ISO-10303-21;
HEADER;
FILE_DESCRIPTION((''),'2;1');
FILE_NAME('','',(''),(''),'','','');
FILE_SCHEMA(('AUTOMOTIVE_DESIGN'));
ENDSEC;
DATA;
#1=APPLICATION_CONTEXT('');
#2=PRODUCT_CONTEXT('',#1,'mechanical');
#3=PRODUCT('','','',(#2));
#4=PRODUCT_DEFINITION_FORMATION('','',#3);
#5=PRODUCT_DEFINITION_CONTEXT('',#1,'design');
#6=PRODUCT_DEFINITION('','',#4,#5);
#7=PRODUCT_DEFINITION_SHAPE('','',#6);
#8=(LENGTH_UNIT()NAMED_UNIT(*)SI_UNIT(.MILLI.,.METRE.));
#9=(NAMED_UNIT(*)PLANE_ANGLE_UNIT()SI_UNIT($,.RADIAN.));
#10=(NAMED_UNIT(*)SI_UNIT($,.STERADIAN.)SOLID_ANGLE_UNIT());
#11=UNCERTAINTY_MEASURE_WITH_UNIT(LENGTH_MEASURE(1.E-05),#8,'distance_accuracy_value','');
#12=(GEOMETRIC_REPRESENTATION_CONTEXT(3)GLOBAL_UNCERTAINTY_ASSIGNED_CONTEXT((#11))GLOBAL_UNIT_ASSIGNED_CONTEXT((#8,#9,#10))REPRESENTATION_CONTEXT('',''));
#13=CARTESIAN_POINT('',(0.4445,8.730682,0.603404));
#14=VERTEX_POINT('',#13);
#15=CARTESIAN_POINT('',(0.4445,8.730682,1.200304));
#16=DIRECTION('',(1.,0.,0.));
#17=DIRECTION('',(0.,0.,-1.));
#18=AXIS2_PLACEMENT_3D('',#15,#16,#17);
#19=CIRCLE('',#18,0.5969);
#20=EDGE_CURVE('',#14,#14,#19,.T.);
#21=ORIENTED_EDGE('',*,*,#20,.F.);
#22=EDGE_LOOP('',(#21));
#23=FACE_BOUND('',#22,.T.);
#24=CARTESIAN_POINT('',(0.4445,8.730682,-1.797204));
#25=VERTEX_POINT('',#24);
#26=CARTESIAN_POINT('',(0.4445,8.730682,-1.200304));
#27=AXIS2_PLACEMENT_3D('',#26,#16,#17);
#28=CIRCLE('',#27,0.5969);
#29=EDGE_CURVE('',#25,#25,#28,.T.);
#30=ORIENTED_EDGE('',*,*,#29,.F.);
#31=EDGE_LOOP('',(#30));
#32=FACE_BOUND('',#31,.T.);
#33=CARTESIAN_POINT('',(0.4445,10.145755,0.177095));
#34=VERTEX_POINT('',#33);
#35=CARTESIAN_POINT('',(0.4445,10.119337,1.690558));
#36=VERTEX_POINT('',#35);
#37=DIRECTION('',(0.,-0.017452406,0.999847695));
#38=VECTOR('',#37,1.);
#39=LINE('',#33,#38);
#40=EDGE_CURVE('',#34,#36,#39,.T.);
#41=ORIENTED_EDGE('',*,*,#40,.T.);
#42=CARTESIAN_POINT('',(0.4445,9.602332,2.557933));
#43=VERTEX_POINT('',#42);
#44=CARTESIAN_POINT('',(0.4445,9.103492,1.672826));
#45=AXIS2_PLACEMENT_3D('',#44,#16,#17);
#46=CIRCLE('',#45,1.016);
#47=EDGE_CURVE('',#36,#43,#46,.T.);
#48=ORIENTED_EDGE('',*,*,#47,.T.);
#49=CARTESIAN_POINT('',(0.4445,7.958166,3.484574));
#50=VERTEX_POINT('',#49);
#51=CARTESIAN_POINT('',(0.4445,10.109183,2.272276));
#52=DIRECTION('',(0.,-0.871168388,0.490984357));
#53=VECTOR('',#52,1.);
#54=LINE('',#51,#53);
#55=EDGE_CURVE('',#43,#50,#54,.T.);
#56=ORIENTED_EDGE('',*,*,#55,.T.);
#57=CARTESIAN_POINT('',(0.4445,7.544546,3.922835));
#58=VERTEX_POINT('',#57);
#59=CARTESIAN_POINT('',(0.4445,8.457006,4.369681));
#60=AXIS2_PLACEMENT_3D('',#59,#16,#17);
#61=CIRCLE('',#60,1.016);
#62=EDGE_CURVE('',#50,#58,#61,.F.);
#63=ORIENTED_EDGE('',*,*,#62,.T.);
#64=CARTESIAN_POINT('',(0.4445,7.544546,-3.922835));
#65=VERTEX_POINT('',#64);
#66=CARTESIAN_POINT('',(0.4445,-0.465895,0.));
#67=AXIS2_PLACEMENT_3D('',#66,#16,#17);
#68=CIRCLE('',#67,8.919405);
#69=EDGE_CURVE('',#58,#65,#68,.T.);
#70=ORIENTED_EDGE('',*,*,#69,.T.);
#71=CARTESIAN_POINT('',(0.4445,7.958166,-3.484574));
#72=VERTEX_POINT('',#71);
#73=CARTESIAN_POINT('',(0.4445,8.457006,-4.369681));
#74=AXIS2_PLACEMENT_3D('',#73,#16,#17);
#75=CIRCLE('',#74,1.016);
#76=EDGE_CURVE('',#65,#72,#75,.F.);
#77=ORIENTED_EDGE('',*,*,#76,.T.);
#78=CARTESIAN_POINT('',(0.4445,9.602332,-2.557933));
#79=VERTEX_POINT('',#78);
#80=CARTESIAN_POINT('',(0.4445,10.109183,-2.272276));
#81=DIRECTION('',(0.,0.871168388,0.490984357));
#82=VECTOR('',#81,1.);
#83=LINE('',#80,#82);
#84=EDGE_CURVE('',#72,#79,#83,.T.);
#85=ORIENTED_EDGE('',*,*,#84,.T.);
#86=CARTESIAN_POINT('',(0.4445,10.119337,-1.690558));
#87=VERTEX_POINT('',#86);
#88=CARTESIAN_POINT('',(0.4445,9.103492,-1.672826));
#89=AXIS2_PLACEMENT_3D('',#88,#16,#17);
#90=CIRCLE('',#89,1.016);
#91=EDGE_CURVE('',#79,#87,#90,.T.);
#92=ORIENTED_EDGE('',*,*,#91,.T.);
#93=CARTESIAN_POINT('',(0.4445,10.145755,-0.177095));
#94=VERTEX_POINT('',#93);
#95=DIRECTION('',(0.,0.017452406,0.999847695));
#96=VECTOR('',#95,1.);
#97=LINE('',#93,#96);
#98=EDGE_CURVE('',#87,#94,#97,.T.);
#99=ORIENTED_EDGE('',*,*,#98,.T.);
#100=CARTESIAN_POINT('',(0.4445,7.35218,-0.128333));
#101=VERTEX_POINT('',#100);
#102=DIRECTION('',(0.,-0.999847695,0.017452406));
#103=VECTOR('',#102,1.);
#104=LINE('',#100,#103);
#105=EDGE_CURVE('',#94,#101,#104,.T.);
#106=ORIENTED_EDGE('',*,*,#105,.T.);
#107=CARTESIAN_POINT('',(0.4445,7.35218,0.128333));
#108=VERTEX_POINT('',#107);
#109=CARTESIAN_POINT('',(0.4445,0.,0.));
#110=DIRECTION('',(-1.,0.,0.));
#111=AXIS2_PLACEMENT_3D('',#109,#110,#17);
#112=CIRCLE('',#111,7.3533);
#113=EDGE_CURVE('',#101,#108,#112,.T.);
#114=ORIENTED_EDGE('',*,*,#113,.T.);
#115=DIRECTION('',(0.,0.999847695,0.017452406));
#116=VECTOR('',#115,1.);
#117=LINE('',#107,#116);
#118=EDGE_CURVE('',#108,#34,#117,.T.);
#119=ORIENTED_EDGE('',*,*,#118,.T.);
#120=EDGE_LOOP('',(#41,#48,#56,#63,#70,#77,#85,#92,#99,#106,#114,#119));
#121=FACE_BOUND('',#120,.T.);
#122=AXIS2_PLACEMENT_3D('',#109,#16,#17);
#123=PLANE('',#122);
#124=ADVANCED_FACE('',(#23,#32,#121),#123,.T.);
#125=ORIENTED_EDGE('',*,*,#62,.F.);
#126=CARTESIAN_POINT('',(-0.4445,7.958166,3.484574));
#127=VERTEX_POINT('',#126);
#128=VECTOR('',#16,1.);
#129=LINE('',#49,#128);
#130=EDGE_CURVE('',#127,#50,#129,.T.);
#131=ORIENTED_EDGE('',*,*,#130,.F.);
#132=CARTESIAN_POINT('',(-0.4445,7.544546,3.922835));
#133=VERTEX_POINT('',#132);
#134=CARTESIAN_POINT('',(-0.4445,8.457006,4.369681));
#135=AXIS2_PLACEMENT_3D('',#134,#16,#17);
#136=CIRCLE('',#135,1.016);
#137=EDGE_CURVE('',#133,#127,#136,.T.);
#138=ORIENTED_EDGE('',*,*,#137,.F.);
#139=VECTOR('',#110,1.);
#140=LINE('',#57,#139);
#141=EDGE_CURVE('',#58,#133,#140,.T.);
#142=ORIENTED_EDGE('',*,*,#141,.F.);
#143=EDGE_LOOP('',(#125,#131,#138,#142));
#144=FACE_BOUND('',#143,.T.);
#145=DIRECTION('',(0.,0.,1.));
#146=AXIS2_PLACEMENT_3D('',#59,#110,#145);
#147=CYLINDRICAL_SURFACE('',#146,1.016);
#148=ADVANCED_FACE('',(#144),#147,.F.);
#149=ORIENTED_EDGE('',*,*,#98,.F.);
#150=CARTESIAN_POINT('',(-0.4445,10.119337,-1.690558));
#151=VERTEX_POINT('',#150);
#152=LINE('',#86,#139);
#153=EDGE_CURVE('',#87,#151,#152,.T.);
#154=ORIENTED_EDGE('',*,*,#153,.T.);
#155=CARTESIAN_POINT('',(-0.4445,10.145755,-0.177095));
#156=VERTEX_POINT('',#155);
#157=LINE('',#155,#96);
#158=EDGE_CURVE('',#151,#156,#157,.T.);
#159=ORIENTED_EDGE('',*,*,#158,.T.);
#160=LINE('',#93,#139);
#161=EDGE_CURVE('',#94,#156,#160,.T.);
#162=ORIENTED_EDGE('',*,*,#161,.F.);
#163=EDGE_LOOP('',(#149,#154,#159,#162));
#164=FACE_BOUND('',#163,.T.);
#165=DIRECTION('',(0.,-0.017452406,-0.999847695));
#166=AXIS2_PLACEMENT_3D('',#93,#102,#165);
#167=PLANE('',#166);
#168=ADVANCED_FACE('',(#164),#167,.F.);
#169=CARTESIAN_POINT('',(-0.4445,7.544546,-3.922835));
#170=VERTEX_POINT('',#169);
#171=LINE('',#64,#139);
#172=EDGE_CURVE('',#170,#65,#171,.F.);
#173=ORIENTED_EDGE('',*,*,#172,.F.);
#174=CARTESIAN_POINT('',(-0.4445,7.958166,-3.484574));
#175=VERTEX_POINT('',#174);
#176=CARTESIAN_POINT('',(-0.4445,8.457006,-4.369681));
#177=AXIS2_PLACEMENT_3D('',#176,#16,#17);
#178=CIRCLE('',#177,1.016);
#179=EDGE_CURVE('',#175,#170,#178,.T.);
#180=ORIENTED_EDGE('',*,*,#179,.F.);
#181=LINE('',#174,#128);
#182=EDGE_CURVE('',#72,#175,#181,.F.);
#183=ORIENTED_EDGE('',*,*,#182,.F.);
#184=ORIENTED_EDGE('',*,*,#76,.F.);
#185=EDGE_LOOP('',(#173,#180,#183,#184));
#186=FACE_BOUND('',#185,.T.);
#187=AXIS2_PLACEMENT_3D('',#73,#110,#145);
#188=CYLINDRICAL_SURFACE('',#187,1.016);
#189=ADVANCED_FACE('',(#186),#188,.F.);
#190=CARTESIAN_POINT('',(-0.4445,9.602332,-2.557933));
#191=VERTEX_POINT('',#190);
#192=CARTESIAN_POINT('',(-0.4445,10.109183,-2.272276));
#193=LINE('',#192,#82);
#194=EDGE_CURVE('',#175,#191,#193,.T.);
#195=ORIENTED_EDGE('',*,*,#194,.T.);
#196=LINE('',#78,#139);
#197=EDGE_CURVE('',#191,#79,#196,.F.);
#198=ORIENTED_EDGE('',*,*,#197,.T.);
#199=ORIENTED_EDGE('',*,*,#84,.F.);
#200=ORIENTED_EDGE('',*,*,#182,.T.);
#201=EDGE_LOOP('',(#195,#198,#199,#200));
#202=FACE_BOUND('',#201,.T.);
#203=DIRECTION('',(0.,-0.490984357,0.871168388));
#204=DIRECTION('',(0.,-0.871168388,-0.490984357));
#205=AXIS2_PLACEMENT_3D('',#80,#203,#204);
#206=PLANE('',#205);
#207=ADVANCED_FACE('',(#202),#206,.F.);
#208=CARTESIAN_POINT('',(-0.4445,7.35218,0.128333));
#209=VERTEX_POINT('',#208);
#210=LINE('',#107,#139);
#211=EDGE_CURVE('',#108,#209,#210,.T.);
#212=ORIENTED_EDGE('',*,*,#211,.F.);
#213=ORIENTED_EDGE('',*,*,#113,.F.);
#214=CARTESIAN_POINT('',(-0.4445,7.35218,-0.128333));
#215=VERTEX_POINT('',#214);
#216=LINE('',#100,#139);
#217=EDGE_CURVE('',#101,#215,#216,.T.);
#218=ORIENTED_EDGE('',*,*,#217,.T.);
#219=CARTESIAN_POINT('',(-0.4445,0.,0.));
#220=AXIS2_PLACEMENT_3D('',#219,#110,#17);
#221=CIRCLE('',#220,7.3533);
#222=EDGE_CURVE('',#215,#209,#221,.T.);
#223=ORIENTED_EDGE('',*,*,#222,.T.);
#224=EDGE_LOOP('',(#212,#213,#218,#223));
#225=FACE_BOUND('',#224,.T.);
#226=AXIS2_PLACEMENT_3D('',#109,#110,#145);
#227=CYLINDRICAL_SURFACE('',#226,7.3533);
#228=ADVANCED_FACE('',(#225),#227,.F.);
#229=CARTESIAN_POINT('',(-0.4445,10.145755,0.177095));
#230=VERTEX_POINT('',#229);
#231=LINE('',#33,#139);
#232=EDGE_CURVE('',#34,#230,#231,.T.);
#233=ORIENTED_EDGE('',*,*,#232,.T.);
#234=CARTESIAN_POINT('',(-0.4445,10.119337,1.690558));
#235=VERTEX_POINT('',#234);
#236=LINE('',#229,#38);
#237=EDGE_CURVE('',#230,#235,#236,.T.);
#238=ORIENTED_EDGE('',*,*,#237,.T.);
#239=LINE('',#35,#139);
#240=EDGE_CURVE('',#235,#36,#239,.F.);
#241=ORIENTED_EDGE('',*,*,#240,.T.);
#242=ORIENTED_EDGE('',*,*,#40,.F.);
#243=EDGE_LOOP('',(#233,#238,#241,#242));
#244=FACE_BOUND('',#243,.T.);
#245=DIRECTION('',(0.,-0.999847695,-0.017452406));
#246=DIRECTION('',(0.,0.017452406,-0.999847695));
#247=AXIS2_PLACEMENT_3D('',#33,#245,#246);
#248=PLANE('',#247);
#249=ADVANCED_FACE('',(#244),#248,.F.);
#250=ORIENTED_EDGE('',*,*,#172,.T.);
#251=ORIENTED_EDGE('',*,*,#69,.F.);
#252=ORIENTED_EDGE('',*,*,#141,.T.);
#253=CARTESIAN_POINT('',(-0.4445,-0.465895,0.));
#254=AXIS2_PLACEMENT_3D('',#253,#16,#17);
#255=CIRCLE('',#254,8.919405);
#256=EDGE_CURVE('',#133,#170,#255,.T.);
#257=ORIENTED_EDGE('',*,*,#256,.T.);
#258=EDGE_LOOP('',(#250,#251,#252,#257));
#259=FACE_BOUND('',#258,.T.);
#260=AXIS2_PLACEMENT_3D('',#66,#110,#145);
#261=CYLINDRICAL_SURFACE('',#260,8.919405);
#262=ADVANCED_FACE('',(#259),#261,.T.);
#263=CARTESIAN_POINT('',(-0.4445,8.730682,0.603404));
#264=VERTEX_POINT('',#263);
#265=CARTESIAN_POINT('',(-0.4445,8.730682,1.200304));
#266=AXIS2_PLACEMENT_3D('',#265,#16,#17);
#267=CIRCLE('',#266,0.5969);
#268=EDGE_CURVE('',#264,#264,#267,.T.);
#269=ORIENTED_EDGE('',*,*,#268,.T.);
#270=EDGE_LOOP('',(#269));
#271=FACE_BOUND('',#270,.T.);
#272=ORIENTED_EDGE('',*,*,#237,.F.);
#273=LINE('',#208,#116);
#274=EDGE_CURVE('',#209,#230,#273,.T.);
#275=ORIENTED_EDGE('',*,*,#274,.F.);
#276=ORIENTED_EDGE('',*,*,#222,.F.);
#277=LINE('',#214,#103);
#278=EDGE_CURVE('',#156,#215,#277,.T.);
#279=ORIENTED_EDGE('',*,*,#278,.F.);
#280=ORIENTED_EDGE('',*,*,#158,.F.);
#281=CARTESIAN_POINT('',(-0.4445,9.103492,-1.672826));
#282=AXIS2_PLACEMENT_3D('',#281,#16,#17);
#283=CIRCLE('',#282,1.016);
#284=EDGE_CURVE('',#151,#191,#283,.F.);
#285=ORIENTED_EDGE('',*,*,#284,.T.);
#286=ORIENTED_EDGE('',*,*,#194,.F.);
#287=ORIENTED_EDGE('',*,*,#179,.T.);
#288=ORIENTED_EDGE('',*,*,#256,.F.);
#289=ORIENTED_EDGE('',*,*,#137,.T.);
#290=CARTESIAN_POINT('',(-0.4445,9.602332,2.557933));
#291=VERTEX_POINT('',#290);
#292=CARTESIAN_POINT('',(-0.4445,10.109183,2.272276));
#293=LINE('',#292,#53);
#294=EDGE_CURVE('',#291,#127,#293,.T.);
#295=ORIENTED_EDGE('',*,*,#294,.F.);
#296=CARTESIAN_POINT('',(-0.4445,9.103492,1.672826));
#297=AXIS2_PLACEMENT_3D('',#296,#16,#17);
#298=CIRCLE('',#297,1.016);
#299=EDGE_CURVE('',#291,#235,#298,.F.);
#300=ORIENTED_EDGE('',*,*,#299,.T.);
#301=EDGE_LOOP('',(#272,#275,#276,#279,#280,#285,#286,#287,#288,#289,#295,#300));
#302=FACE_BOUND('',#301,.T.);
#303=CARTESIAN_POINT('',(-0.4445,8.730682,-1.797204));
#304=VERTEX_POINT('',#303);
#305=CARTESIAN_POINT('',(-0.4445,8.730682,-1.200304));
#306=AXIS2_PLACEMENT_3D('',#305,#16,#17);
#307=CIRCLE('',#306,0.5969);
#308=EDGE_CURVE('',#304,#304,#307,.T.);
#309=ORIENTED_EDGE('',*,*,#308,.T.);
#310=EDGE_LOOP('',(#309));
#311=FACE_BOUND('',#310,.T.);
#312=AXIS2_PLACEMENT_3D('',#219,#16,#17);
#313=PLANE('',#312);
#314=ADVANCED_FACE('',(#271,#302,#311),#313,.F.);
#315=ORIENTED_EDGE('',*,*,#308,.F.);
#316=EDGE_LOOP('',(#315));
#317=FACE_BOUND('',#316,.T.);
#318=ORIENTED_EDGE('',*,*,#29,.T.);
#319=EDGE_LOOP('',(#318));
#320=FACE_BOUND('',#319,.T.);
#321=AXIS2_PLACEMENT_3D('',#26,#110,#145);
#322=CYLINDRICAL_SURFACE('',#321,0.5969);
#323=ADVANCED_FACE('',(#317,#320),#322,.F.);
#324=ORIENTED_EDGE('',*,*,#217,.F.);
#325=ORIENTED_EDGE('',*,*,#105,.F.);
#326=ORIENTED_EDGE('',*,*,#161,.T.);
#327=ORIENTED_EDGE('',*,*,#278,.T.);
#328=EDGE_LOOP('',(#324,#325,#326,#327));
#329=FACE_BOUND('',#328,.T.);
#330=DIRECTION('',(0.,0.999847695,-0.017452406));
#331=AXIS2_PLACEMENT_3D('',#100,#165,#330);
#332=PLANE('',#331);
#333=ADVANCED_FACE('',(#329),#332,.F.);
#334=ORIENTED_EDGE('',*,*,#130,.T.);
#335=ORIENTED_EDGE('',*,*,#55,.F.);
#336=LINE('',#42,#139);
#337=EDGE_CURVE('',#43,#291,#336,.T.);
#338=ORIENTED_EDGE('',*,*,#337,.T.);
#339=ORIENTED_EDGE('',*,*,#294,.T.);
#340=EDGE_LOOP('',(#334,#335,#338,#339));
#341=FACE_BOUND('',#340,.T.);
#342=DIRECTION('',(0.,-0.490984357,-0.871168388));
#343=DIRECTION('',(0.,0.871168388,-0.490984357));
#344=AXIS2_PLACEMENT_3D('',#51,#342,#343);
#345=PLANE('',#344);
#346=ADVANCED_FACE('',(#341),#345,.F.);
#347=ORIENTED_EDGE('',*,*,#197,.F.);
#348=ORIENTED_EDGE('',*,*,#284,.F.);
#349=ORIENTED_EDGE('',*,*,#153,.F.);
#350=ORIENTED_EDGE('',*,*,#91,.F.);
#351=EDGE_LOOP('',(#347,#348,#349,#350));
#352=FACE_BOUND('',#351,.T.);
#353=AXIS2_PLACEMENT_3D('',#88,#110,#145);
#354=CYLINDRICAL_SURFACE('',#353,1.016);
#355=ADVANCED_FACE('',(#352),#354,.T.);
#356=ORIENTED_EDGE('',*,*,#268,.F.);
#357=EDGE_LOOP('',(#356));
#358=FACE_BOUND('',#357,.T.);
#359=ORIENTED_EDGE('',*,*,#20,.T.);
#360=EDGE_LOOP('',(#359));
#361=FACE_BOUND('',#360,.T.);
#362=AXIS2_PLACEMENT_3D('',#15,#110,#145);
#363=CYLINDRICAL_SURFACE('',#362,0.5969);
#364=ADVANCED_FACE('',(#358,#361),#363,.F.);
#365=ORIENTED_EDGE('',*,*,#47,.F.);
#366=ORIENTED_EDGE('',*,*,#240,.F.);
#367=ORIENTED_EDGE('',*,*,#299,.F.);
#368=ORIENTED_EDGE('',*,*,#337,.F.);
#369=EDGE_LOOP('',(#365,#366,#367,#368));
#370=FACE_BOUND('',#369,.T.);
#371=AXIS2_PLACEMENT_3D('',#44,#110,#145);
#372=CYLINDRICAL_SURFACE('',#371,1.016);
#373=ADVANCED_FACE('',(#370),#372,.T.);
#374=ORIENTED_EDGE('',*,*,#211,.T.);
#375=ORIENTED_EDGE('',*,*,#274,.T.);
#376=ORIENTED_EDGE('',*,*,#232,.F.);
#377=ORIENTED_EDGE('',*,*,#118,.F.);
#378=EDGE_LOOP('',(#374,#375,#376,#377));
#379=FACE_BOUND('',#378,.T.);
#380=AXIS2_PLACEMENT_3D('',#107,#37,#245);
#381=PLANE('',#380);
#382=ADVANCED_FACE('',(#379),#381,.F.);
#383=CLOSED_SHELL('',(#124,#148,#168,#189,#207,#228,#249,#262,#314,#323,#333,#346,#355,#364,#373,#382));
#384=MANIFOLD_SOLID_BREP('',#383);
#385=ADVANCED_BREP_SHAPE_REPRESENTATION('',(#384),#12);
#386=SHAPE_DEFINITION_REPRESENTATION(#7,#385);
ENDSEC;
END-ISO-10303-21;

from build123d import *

# Parameters (mm, degrees)
SKETCH1_R      = 0.5969
EXTRUDE1_DEPTH = 0.4445
FILLET1_R      = 1.016


with BuildPart() as part:
    # Sketch1 → Extrude1 (new, symmetric)
    with BuildSketch(Plane(origin=(0, 0, 0), x_dir=(0, 0, -1), z_dir=(1, 0, 0))):
        with BuildLine():
            Line((-0.12833278, 7.352180057), (-0.177094804, 10.145754517))
            Line((-0.177094804, 10.145754517), (-2.272275649, 10.109182999))
            Line((-2.272275649, 10.109182999), (-3.644085943, 7.675138522))
            ThreePointArc((-3.644085943, 7.675138522), (0, -9.3853), (3.644085943, 7.675138522))
            Line((3.644085943, 7.675138522), (2.272275649, 10.109182999))
            Line((2.272275649, 10.109182999), (0.177094804, 10.145754517))
            Line((0.177094804, 10.145754517), (0.12833278, 7.352180057))
            ThreePointArc((0.12833278, 7.352180057), (0, -7.3533), (-0.12833278, 7.352180057))
        make_face()
        with Locations((-1.200304215, 8.730681528)):
            Circle(SKETCH1_R, mode=Mode.SUBTRACT)
        with Locations((1.200304215, 8.730681528)):
            Circle(SKETCH1_R, mode=Mode.SUBTRACT)
    extrude(amount=EXTRUDE1_DEPTH, both=True)

    # Fillet1
    fillet1_edges = [part.edges().sort_by_distance(p)[0] for p in [
        (0, 10.109182999, -2.272275649),
        (0, 7.675138522, -3.644085943),
        (0, 7.675138522, 3.644085943),
        (0, 10.109182999, 2.272275649),
    ]]
    fillet(fillet1_edges, radius=FILLET1_R)


solid = part.part
